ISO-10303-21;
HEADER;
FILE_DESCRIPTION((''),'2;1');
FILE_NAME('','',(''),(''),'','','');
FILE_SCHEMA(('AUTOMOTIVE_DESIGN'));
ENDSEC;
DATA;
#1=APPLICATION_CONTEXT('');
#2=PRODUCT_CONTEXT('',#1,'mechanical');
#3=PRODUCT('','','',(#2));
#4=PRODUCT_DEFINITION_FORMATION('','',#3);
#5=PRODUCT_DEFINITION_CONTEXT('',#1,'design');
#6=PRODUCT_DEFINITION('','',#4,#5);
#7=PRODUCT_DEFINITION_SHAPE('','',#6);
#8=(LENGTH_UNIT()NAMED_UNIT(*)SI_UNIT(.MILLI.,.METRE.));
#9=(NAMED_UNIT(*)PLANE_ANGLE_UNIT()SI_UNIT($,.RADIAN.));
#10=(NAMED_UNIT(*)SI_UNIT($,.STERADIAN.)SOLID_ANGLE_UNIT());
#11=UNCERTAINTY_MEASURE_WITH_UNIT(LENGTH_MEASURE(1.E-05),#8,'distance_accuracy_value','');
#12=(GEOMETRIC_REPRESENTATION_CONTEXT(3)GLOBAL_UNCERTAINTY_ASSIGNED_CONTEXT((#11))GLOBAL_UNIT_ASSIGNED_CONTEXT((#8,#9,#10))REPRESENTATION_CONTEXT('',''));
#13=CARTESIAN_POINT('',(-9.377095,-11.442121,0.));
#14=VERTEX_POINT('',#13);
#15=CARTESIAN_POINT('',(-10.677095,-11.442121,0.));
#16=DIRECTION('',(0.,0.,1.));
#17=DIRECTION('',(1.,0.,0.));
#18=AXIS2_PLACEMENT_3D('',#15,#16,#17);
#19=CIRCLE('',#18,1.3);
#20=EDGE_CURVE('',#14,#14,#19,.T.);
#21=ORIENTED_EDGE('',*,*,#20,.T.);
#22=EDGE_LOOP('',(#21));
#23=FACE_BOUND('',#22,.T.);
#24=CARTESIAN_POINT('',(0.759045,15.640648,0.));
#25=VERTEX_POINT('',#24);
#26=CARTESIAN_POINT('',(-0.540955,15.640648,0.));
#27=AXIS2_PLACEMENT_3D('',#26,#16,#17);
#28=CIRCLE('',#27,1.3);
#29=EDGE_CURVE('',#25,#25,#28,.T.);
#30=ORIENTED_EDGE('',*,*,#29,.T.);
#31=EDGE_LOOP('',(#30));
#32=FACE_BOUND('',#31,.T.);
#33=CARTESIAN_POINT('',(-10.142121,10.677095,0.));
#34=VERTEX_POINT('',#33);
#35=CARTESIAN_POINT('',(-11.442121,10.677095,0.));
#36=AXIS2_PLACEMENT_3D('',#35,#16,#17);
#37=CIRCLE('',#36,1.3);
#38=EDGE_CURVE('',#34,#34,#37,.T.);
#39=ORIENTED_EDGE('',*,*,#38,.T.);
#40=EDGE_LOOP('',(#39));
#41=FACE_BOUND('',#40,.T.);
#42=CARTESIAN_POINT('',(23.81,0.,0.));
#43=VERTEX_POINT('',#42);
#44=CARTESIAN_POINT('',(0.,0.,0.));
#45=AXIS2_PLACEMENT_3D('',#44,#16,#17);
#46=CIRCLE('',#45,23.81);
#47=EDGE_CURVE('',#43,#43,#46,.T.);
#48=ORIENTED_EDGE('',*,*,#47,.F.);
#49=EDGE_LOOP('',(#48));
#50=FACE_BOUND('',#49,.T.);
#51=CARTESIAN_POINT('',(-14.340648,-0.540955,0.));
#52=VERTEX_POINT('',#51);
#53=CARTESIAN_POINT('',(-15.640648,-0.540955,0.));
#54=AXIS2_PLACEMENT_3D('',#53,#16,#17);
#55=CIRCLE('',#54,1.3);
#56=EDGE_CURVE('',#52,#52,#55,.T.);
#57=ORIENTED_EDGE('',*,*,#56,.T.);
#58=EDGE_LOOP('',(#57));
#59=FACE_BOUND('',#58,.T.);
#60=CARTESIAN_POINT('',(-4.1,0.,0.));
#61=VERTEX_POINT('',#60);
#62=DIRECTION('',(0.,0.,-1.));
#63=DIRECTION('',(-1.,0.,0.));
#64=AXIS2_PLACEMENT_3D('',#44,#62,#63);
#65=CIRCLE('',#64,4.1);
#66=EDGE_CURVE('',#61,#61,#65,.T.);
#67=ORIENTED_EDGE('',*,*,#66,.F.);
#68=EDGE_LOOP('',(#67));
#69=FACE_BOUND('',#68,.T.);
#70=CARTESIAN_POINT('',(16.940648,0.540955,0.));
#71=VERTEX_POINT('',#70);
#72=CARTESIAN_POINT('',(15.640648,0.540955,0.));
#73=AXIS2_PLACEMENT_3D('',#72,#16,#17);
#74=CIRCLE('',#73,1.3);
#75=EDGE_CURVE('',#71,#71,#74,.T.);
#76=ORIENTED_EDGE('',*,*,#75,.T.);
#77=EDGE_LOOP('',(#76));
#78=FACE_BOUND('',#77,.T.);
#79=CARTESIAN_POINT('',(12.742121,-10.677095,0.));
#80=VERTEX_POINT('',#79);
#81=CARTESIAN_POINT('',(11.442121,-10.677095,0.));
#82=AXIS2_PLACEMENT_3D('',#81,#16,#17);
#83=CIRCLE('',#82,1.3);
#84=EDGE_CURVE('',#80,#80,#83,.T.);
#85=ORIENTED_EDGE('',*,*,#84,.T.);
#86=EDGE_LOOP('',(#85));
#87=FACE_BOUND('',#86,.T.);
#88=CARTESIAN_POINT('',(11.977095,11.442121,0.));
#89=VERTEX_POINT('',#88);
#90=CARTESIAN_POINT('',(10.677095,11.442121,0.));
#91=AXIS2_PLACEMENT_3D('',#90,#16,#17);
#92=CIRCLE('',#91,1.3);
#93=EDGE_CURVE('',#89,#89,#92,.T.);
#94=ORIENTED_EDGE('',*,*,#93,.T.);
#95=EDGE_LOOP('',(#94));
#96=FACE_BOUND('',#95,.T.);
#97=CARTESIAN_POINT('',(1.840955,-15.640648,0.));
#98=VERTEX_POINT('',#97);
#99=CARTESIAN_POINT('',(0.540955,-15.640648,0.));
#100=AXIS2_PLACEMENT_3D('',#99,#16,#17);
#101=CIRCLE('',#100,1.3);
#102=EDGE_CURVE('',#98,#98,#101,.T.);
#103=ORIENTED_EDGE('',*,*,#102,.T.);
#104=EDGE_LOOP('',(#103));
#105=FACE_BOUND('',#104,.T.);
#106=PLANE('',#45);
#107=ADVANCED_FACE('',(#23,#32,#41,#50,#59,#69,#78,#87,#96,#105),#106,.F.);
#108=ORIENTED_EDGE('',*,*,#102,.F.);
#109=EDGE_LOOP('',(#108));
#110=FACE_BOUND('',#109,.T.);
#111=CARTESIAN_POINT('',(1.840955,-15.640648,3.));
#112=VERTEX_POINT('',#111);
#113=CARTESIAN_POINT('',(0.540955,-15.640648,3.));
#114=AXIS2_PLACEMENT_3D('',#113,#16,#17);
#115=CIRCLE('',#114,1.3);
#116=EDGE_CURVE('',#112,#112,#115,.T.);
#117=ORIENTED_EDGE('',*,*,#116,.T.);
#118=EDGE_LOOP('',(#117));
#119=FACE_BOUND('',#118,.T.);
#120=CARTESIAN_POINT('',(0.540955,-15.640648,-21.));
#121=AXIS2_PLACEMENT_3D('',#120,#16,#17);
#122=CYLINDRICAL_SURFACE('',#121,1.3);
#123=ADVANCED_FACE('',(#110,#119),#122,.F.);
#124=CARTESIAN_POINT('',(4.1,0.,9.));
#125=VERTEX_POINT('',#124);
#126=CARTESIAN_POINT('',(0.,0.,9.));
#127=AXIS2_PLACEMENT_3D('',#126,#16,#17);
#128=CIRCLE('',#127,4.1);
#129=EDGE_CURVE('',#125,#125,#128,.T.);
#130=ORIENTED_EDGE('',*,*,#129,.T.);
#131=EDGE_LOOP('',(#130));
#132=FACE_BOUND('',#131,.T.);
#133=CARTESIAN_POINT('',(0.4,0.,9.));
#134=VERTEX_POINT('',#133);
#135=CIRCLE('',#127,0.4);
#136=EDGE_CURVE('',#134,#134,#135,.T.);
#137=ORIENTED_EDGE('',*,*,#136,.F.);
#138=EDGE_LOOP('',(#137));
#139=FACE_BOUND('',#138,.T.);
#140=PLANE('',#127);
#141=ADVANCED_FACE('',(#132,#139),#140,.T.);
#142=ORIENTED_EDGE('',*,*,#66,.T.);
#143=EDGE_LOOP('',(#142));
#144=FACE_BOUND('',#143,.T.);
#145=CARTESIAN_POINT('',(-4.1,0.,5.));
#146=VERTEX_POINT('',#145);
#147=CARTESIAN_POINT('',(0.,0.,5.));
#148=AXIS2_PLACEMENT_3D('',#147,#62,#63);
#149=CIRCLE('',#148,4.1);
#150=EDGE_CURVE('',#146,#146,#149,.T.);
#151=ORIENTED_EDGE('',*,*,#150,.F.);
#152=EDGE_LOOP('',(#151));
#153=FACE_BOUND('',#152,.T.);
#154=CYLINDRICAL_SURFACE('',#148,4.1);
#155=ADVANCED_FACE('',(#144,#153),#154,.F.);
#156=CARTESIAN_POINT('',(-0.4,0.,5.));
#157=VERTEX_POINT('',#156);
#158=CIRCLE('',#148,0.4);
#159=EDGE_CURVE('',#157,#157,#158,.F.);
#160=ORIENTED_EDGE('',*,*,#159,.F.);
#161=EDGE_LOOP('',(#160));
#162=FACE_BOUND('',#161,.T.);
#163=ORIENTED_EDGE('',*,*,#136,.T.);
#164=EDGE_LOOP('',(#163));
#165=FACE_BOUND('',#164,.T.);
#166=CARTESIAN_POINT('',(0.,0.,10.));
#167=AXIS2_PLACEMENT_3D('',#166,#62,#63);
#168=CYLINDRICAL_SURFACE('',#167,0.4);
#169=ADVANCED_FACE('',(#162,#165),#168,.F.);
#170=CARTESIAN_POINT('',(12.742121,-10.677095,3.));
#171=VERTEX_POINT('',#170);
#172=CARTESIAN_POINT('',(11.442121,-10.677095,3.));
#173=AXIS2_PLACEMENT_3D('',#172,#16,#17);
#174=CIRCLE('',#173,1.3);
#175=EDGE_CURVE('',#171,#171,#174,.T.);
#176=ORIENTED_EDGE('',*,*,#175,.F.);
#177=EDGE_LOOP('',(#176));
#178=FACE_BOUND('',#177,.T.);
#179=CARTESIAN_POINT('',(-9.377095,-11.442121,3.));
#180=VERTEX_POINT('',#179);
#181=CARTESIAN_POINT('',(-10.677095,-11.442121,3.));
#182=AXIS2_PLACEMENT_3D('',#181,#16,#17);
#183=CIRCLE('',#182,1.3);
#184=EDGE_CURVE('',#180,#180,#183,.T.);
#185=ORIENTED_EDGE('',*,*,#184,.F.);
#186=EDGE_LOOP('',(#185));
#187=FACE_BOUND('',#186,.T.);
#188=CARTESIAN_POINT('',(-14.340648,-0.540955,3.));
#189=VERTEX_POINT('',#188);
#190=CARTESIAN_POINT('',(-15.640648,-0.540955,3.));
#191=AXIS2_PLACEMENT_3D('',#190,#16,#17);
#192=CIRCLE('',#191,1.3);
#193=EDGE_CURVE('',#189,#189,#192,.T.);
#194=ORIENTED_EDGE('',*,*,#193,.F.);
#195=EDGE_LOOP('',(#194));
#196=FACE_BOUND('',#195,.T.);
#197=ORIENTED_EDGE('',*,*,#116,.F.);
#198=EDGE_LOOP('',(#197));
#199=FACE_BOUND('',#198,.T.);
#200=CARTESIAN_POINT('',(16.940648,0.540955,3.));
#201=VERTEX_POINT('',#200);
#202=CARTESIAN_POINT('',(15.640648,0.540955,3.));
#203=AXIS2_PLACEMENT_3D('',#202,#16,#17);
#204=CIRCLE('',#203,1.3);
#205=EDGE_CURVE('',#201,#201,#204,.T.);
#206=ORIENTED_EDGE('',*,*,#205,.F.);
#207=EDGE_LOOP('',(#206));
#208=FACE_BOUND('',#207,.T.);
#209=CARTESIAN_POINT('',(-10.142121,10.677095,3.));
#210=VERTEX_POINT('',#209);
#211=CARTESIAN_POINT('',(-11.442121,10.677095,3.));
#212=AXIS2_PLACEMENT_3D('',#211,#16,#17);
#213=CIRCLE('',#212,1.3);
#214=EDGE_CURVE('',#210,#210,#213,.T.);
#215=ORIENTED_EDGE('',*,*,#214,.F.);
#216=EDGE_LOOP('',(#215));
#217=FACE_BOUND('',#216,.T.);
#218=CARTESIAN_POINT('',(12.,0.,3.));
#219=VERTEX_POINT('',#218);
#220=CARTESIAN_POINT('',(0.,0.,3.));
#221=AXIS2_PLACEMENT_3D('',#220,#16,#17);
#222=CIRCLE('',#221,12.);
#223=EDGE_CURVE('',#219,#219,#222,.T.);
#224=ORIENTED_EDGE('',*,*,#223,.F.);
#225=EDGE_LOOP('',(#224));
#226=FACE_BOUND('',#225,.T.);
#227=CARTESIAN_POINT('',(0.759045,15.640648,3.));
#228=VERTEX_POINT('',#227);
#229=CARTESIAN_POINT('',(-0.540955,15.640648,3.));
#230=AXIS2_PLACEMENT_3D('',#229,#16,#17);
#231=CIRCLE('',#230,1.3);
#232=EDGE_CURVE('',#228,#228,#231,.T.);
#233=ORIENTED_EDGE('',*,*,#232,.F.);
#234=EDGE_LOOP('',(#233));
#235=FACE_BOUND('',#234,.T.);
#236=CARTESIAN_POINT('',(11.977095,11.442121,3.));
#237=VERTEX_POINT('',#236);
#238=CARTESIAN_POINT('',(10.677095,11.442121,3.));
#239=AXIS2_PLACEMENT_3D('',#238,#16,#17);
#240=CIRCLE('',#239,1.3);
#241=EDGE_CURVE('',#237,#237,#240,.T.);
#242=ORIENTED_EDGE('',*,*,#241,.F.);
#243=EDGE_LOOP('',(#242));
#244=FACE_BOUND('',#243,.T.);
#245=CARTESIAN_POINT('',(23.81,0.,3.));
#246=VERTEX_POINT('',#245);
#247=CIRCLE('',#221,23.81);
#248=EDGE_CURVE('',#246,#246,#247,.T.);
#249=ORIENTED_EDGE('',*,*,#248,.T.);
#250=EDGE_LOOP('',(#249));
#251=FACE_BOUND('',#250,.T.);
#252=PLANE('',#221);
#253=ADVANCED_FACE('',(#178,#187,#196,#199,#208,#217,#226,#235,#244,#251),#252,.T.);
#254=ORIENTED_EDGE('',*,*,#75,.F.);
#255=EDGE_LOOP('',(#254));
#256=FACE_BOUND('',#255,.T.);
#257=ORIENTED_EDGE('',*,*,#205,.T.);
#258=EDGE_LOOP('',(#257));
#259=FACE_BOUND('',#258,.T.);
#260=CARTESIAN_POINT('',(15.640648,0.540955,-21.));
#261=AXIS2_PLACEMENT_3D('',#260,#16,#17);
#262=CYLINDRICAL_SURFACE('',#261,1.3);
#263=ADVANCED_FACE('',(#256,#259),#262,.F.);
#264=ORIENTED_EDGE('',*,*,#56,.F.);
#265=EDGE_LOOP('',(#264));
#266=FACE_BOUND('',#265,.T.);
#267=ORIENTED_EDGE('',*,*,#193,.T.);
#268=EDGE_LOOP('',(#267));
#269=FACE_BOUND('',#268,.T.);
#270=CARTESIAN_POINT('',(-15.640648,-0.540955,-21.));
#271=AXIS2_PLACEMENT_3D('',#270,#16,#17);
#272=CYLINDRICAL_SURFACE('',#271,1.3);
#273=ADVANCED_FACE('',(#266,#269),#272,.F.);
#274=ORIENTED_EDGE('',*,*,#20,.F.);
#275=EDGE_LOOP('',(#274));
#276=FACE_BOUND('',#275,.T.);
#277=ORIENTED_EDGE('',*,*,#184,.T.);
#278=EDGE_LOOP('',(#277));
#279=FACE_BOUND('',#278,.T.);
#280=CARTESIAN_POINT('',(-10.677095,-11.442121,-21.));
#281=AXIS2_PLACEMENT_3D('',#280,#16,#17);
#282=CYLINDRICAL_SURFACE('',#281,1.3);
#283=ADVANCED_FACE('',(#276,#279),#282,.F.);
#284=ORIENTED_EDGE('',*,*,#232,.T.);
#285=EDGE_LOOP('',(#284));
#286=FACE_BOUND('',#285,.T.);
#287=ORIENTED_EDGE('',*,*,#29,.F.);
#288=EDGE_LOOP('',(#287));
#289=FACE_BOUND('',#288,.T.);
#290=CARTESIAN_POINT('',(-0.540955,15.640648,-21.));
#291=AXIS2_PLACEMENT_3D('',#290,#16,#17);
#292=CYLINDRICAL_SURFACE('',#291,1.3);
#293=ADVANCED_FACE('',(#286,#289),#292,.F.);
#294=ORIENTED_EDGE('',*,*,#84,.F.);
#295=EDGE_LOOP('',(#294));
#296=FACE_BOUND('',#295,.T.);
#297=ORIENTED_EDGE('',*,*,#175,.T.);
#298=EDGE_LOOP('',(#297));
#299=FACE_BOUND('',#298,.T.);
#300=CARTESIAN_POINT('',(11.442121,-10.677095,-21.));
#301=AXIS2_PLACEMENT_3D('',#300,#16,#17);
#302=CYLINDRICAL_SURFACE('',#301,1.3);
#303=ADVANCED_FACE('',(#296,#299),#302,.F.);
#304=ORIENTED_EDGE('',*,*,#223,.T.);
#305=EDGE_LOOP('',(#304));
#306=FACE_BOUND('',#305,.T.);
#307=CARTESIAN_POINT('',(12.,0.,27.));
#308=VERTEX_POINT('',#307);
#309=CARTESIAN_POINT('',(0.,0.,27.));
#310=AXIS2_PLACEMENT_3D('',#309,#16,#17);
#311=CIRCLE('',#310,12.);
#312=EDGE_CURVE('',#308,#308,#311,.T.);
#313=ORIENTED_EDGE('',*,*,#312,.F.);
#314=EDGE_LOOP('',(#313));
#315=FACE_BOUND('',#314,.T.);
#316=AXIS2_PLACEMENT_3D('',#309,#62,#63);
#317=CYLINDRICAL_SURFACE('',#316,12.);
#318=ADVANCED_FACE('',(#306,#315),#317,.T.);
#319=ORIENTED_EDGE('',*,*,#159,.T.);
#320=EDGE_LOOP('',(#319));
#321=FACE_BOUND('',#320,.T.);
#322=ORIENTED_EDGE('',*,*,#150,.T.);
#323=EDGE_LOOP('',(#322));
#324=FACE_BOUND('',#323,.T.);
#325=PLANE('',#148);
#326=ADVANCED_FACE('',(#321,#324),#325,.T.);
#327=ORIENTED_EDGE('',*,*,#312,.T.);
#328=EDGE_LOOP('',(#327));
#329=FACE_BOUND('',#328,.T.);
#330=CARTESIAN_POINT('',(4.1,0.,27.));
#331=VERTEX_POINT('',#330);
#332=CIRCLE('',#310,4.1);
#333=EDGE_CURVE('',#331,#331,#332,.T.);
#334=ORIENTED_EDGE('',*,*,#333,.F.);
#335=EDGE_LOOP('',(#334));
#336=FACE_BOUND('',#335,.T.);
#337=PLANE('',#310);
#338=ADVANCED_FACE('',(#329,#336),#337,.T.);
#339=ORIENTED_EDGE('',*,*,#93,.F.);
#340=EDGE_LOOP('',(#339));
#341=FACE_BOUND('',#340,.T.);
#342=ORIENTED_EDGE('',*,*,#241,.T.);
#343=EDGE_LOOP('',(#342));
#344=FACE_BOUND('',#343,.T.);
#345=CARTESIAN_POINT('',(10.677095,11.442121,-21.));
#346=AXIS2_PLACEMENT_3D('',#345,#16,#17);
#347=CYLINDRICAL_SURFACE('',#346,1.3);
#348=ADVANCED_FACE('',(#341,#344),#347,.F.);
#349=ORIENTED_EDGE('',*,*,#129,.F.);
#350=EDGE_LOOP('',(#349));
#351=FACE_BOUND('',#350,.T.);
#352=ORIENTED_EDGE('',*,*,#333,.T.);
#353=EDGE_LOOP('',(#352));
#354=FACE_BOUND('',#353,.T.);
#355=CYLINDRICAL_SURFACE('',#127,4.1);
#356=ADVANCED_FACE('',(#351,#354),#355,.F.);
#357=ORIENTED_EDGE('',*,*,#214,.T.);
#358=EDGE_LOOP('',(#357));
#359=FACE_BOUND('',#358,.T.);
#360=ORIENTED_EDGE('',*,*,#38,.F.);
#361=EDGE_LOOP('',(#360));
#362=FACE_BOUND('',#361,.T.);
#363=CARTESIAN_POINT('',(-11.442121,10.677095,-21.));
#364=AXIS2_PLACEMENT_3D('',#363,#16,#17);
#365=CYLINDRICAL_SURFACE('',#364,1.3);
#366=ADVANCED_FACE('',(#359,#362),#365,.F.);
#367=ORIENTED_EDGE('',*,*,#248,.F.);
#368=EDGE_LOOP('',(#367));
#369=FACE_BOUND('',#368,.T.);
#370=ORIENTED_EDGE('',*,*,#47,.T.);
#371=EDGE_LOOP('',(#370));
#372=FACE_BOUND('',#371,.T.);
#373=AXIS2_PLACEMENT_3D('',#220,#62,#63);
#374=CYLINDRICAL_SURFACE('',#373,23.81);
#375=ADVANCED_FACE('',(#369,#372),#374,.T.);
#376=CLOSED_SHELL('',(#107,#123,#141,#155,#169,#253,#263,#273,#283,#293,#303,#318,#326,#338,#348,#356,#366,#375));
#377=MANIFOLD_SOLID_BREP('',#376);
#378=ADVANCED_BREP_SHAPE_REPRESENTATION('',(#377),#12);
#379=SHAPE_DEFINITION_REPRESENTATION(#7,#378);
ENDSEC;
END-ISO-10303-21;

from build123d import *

# Parameters (mm, degrees)
ESQUISSE1_R             = 23.81
BOSS_EXTRU_1_DEPTH      = 3
ESQUISSE2_R             = 12
BOSS_EXTRU_2_DEPTH      = 24
ESQUISSE3_R             = 1.3
ENL_V_MAT_EXTRU_1_DEPTH = 24
ESQUISSE4_R             = 4.1
ENL_V_MAT_EXTRU_2_DEPTH = 18
ESQUISSE5_R             = 0.4
ENL_V_MAT_EXTRU_3_DEPTH = 10
ENL_V_START             = -5
ESQUISSE6_R             = 4.1
ENL_V_MAT_EXTRU_4_DEPTH = 5


with BuildPart() as part:
    # Esquisse1 → Boss.-Extru.1 (new body)
    with BuildSketch(Plane.XY):
        Circle(ESQUISSE1_R)
    extrude(amount=BOSS_EXTRU_1_DEPTH)

    # Esquisse2 → Boss.-Extru.2 (add)
    with BuildSketch(Plane.XY.offset(3)):
        Circle(ESQUISSE2_R)
    extrude(amount=BOSS_EXTRU_2_DEPTH)

    # Esquisse3 → Enlèv. mat.-Extru.1 (cut)
    with BuildSketch(Plane.XY.offset(3)):
        with Locations((-11.442120986, 10.677095455)):
            Circle(ESQUISSE3_R)
        with Locations((-0.540954741, 15.64064794)):
            Circle(ESQUISSE3_R)
        with Locations((10.677095455, 11.442120986)):
            Circle(ESQUISSE3_R)
        with Locations((15.64064794, 0.540954741)):
            Circle(ESQUISSE3_R)
        with Locations((11.442120986, -10.677095455)):
            Circle(ESQUISSE3_R)
        with Locations((0.540954741, -15.64064794)):
            Circle(ESQUISSE3_R)
        with Locations((-10.677095455, -11.442120986)):
            Circle(ESQUISSE3_R)
        with Locations((-15.64064794, -0.540954741)):
            Circle(ESQUISSE3_R)
    extrude(amount=-ENL_V_MAT_EXTRU_1_DEPTH, mode=Mode.SUBTRACT)

    # Esquisse4 → Enlèv. mat.-Extru.2 (cut)
    with BuildSketch(Plane.XY.offset(27)):
        Circle(ESQUISSE4_R)
    extrude(amount=-ENL_V_MAT_EXTRU_2_DEPTH, mode=Mode.SUBTRACT)

    # Esquisse5 → Enlèv. mat.-Extru.3 (cut)
    with BuildSketch(Plane(origin=(0, 0, 0), x_dir=(-1, 0, 0), z_dir=(0, 0, -1))):
        Circle(ESQUISSE5_R)
    extrude(amount=-ENL_V_MAT_EXTRU_3_DEPTH, mode=Mode.SUBTRACT)

    # Esquisse6 → Enlèv. mat.-Extru.4 (cut)
    with BuildSketch(Plane(origin=(0, 0, 0), x_dir=(-1, 0, 0), z_dir=(0, 0, -1)).offset(ENL_V_START)):
        Circle(ESQUISSE6_R)
    extrude(amount=ENL_V_MAT_EXTRU_4_DEPTH, mode=Mode.SUBTRACT)


solid = part.part
